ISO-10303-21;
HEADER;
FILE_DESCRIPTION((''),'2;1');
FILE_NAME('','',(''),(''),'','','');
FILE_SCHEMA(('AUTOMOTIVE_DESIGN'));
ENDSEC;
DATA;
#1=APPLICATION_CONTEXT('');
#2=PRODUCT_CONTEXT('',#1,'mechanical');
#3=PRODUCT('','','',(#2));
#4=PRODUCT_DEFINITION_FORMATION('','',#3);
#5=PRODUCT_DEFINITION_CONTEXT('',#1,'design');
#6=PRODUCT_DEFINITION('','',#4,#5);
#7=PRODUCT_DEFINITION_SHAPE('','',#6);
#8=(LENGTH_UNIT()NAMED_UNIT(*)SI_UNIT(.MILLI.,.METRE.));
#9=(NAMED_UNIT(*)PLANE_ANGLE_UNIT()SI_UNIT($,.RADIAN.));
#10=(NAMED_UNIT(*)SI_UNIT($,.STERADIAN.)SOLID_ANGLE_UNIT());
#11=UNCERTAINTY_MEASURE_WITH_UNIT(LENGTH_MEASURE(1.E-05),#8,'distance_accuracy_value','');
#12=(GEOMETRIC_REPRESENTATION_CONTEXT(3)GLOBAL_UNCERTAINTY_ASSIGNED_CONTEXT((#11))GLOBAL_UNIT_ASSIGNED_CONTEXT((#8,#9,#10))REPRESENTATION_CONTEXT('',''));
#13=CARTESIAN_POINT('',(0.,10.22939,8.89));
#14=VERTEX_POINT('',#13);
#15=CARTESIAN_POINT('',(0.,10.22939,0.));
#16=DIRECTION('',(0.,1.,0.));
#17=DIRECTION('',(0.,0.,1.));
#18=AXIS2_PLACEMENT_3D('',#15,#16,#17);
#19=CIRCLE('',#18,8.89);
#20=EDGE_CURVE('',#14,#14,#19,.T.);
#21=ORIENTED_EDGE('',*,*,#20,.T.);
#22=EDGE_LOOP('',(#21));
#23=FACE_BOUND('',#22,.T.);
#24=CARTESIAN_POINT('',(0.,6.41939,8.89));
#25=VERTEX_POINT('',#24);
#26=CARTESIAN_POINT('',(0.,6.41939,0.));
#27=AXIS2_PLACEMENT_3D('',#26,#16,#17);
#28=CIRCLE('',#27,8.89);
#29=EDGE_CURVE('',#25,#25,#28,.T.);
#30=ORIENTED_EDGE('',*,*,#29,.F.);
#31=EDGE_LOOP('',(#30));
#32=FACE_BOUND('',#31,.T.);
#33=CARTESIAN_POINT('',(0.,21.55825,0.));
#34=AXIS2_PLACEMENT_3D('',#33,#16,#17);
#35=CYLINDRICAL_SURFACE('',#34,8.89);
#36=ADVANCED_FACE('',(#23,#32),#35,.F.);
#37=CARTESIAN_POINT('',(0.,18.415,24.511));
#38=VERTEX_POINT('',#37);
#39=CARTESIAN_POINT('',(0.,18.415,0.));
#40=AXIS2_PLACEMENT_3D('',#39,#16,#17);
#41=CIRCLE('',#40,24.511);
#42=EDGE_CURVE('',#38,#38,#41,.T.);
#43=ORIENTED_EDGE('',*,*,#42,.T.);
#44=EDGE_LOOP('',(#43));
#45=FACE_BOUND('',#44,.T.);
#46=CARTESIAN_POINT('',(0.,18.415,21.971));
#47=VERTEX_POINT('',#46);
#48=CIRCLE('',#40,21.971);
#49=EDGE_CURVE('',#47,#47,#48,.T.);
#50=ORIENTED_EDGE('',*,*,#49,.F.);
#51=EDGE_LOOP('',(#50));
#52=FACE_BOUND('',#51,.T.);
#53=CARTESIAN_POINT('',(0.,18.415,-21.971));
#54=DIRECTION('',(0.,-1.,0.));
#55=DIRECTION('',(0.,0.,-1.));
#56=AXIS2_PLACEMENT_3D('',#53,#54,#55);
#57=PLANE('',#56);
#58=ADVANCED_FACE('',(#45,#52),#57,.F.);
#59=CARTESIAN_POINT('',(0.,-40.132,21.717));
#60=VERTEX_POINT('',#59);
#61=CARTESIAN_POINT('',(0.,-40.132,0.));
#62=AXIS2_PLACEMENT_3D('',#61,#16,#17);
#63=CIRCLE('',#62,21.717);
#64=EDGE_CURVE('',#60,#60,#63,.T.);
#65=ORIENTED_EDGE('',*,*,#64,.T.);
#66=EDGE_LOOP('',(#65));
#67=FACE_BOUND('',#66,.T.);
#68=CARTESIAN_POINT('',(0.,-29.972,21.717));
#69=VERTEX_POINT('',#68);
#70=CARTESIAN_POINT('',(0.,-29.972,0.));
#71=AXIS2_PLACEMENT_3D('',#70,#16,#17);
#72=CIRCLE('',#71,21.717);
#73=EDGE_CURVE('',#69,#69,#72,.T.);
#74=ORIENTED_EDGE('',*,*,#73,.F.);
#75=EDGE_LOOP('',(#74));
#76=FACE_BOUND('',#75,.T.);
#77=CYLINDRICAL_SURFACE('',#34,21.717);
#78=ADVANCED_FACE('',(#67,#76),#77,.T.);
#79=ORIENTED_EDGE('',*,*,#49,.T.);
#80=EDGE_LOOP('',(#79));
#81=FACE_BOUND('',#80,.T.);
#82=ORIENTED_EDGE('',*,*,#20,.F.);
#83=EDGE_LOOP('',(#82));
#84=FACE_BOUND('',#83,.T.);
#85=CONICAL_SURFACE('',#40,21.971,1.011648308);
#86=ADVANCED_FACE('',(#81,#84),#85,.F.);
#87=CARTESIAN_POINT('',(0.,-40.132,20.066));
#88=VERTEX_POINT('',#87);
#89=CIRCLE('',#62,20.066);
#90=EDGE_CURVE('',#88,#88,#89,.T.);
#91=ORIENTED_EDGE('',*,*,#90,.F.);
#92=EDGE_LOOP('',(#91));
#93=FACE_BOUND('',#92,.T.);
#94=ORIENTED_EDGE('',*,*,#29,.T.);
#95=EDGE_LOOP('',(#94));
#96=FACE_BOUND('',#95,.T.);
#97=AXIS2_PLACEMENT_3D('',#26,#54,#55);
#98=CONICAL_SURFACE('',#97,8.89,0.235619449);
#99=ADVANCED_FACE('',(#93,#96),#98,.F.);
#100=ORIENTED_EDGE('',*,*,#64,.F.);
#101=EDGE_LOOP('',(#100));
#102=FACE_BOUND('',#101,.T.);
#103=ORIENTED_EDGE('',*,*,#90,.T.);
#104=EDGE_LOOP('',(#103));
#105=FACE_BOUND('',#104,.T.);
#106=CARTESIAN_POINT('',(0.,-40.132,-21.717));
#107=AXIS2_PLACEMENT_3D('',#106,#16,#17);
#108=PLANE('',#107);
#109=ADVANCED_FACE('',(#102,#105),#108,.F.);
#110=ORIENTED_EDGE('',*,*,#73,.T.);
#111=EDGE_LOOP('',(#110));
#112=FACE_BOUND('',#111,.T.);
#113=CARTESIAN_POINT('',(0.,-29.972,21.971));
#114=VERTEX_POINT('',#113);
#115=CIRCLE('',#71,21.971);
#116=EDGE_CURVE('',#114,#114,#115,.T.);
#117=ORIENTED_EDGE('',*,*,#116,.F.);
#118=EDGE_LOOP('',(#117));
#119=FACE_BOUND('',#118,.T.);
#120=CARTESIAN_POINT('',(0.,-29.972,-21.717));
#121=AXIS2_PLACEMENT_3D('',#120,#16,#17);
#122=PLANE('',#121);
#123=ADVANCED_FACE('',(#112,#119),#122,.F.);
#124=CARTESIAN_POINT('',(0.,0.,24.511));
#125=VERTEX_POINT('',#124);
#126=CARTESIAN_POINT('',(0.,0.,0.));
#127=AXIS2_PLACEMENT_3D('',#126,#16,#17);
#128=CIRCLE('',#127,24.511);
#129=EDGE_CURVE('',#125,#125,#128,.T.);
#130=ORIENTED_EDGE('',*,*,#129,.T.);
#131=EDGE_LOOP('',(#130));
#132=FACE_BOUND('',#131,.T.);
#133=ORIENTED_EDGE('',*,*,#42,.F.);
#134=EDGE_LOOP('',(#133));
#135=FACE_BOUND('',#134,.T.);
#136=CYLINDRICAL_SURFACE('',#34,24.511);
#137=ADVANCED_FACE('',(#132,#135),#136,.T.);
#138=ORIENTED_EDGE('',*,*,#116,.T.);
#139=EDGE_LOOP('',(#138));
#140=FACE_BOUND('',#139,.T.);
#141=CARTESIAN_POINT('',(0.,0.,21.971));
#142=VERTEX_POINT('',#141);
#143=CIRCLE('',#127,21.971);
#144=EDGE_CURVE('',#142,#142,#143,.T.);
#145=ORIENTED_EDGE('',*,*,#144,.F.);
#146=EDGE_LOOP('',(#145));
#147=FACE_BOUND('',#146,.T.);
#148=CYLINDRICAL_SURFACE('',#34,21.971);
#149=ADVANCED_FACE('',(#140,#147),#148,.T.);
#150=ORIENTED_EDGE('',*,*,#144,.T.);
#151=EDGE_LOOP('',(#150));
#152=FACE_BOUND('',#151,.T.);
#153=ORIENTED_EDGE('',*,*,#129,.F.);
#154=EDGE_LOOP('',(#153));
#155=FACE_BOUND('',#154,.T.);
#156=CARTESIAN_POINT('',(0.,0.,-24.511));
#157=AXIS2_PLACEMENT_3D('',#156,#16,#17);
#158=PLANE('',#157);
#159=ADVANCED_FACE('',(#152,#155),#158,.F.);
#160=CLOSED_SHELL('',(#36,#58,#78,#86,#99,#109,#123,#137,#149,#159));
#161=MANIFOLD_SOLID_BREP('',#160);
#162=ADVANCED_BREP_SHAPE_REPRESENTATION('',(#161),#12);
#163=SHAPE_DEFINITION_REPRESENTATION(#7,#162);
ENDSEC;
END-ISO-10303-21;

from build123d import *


with BuildPart() as part:
    # Sketch4 → Revolve1 (revolve)
    with BuildSketch(Plane(origin=(0, 0, 0), x_dir=(0, 0, -1), z_dir=(1, 0, 0))):
        Polygon((24.511, 0), (24.511, 18.415), (21.971, 18.415), (8.89, 10.229390231), (8.89, 6.419390231), (20.066, -40.132), (21.717, -40.132), (21.717, -29.972), (21.971, -29.972), (21.971, 0), align=None)
    revolve(axis=Axis((0, 21.55825, 0), (0, -1, 0)))


solid = part.part
